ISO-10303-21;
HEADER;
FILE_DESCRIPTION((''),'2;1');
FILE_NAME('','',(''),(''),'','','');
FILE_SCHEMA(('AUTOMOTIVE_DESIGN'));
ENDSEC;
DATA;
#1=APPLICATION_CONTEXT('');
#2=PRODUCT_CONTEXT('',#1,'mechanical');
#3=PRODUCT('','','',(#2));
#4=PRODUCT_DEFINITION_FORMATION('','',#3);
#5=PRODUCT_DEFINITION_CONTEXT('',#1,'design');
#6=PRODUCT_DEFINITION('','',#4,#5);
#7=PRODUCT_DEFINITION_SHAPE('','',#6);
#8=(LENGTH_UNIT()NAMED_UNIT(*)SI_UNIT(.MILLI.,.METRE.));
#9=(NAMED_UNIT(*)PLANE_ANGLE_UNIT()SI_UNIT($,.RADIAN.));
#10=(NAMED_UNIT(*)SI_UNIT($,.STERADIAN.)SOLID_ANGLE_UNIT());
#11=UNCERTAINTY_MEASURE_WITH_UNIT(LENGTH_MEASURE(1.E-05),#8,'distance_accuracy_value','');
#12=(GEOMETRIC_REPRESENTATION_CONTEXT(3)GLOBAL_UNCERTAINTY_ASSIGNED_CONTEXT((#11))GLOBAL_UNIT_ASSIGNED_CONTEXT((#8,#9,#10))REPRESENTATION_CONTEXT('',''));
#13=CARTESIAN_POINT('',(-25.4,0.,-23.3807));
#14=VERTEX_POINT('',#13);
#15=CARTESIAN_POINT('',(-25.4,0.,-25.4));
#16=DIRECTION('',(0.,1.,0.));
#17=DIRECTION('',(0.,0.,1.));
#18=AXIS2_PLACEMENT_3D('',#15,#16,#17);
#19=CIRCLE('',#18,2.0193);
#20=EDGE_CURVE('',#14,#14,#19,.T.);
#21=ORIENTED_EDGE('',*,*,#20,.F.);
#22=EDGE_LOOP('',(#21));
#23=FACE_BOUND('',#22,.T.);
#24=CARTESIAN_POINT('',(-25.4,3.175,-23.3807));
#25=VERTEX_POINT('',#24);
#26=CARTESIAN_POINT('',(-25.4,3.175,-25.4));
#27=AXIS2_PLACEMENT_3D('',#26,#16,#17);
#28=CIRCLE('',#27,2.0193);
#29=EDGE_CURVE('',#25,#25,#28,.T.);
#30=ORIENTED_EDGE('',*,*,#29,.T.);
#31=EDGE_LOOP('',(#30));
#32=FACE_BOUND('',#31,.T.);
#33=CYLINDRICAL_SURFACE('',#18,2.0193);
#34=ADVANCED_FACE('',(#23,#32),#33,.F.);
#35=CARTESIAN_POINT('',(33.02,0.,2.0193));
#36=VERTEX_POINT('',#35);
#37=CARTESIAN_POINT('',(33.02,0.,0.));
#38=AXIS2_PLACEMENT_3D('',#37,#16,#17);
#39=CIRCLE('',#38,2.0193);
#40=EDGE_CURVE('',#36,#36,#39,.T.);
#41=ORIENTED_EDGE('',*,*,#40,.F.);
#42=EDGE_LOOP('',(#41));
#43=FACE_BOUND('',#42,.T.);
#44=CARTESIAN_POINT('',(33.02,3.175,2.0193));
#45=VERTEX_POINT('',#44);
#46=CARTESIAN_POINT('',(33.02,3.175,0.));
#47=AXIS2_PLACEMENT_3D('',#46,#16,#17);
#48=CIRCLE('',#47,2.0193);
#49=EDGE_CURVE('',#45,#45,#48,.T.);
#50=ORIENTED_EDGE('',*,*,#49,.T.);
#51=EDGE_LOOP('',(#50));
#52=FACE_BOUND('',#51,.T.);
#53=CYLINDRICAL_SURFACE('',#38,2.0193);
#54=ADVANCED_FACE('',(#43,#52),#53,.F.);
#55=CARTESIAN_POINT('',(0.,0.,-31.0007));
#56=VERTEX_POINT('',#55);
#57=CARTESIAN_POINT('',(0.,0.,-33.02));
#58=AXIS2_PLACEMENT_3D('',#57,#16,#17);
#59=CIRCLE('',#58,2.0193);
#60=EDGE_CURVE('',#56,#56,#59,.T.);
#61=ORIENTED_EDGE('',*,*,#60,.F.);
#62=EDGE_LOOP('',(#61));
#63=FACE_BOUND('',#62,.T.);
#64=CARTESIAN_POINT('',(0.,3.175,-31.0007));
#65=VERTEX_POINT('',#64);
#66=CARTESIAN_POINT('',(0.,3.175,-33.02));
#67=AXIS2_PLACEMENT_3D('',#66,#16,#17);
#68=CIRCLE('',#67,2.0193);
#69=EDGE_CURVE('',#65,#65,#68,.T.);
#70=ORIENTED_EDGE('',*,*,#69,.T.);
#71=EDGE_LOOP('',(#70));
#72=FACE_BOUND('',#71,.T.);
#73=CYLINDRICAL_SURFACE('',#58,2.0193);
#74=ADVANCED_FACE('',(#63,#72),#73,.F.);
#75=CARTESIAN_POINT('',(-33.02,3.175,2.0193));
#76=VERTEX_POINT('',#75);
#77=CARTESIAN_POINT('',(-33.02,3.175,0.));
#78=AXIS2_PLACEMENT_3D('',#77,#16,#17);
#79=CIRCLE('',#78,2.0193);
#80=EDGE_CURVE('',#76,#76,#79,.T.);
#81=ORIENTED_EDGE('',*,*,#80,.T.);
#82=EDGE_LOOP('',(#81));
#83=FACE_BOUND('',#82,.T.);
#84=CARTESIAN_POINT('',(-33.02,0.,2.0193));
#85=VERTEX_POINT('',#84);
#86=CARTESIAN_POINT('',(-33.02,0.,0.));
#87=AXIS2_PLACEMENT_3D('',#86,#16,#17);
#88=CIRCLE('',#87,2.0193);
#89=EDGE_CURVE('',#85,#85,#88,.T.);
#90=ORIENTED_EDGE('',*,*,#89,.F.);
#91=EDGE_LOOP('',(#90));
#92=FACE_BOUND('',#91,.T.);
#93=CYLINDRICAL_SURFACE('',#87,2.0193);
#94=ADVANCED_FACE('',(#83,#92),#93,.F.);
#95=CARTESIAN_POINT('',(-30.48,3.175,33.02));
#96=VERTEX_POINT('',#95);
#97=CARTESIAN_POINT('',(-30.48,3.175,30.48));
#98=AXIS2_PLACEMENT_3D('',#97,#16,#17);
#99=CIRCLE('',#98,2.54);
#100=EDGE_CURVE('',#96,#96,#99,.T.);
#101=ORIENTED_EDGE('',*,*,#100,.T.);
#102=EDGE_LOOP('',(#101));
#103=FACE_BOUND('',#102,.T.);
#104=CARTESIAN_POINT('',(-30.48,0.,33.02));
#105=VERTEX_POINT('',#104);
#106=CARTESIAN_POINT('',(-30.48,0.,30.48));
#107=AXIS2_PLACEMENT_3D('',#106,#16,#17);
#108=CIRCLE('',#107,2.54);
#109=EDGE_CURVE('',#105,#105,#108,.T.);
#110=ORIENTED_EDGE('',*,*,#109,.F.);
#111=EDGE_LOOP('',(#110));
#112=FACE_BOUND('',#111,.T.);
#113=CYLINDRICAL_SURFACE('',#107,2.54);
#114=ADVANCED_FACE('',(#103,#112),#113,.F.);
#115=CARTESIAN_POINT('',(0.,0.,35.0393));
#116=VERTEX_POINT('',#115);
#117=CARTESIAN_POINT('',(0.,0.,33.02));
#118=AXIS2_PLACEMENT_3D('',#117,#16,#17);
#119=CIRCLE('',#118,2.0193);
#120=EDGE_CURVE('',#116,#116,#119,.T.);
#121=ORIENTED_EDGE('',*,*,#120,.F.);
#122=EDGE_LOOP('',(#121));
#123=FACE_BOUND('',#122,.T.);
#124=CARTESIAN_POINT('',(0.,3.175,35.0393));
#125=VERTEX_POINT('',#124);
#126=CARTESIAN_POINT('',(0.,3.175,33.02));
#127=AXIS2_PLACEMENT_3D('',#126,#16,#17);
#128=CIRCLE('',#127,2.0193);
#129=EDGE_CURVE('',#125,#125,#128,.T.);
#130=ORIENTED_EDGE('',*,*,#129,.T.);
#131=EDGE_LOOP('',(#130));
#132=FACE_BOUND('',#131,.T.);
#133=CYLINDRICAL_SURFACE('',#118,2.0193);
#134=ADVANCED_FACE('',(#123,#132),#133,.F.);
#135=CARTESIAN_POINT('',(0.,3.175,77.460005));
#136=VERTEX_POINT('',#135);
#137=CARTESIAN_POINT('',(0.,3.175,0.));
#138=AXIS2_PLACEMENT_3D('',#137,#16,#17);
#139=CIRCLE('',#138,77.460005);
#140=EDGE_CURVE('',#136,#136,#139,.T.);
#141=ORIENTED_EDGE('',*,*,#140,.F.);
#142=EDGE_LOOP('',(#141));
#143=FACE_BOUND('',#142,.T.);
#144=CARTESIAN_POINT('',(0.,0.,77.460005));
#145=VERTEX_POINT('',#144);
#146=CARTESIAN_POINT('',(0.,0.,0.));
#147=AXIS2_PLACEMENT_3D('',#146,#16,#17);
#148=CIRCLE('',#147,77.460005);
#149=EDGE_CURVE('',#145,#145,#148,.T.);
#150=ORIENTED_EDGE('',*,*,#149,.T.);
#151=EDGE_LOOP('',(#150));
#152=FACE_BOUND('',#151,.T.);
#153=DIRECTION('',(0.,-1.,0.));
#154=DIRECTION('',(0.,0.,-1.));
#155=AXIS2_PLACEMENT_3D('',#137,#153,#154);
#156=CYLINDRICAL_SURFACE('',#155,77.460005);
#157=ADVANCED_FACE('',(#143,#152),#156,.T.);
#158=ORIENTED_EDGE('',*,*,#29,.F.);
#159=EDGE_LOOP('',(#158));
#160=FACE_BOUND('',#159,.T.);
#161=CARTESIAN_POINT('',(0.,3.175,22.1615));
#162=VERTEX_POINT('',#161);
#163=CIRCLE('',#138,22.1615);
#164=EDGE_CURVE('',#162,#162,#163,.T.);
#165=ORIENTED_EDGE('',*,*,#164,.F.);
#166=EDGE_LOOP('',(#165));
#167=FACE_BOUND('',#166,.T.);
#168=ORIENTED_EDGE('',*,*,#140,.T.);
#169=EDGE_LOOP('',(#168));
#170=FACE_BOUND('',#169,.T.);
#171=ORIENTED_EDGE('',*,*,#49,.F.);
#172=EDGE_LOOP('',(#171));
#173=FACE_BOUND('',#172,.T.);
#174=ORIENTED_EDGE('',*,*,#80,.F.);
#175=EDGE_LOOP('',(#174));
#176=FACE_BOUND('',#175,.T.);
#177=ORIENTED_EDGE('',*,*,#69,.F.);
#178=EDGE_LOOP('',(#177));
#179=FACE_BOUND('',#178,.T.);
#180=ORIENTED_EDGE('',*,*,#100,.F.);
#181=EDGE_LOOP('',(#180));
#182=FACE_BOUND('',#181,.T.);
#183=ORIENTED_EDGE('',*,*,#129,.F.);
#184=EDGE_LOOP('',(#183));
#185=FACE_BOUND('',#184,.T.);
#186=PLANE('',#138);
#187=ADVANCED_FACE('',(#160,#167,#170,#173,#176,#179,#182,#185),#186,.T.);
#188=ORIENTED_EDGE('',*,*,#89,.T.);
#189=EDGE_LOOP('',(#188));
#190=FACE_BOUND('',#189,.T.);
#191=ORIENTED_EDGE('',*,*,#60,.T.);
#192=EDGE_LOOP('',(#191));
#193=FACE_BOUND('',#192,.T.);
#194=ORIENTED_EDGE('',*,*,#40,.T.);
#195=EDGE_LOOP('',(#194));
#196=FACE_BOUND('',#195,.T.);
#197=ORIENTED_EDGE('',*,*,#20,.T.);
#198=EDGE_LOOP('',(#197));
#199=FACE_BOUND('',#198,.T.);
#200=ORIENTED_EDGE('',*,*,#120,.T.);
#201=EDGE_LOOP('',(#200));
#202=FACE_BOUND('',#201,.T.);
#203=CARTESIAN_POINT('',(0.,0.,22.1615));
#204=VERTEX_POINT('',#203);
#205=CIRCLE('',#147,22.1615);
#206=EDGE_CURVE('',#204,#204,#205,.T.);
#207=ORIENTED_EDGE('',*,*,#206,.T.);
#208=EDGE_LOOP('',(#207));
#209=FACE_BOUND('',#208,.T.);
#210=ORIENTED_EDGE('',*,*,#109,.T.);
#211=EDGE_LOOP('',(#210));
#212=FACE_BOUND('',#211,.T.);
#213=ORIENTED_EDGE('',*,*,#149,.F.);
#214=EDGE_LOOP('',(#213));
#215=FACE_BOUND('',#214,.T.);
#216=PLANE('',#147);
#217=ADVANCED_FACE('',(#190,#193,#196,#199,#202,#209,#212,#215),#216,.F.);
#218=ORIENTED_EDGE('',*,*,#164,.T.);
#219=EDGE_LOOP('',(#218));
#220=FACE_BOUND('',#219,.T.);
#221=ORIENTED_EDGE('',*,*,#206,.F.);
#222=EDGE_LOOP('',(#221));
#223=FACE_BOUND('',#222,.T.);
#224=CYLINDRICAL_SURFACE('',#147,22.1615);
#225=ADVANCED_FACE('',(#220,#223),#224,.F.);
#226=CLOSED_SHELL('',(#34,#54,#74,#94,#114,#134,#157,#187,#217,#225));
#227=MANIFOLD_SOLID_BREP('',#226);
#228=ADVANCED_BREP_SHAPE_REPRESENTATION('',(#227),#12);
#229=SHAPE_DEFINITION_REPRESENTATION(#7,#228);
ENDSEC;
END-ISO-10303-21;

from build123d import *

# Parameters (mm, degrees)
SKETCH1_R           = 77.4600051
BOSS_EXTRUDE1_DEPTH = 3.175
SKETCH24_R          = 22.1615
SKETCH24_R_2        = 2.54
SKETCH24_R_3        = 2.0193
CUT_EXTRUDE14_DEPTH = 110.590991442


with BuildPart() as part:
    # Sketch1 → Boss-Extrude1 (new body)
    with BuildSketch(Plane(origin=(0, 0, 0), x_dir=(1, 0, 0), z_dir=(0, 1, 0))):
        with Locations(Location((0, 0, 0), (0, 0, 270))):
            Circle(SKETCH1_R)
    extrude(amount=BOSS_EXTRUDE1_DEPTH)

    # Sketch24 → Cut-Extrude14 (cut, through all)
    with BuildSketch(Plane(origin=(0, 3.175, 0), x_dir=(1, 0, 0), z_dir=(0, 1, 0))):
        with Locations(Location((0, 0, 0), (0, 0, 270))):
            Circle(SKETCH24_R)
        with Locations(Location((-30.48, -30.48, 0), (0, 0, 270))):
            Circle(SKETCH24_R_2)
        with Locations(Location((0, -33.02, 0), (0, 0, 270))):
            Circle(SKETCH24_R_3)
        with Locations(Location((33.02, 0, 0), (0, 0, 270))):
            Circle(SKETCH24_R_3)
        with Locations(Location((0, 33.02, 0), (0, 0, 270))):
            Circle(SKETCH24_R_3)
        with Locations(Location((-33.02, 0, 0), (0, 0, 270))):
            Circle(SKETCH24_R_3)
        with Locations(Location((-25.4, 25.4, 0), (0, 0, 270))):
            Circle(SKETCH24_R_3)
    extrude(amount=-CUT_EXTRUDE14_DEPTH, mode=Mode.SUBTRACT)


solid = part.part
